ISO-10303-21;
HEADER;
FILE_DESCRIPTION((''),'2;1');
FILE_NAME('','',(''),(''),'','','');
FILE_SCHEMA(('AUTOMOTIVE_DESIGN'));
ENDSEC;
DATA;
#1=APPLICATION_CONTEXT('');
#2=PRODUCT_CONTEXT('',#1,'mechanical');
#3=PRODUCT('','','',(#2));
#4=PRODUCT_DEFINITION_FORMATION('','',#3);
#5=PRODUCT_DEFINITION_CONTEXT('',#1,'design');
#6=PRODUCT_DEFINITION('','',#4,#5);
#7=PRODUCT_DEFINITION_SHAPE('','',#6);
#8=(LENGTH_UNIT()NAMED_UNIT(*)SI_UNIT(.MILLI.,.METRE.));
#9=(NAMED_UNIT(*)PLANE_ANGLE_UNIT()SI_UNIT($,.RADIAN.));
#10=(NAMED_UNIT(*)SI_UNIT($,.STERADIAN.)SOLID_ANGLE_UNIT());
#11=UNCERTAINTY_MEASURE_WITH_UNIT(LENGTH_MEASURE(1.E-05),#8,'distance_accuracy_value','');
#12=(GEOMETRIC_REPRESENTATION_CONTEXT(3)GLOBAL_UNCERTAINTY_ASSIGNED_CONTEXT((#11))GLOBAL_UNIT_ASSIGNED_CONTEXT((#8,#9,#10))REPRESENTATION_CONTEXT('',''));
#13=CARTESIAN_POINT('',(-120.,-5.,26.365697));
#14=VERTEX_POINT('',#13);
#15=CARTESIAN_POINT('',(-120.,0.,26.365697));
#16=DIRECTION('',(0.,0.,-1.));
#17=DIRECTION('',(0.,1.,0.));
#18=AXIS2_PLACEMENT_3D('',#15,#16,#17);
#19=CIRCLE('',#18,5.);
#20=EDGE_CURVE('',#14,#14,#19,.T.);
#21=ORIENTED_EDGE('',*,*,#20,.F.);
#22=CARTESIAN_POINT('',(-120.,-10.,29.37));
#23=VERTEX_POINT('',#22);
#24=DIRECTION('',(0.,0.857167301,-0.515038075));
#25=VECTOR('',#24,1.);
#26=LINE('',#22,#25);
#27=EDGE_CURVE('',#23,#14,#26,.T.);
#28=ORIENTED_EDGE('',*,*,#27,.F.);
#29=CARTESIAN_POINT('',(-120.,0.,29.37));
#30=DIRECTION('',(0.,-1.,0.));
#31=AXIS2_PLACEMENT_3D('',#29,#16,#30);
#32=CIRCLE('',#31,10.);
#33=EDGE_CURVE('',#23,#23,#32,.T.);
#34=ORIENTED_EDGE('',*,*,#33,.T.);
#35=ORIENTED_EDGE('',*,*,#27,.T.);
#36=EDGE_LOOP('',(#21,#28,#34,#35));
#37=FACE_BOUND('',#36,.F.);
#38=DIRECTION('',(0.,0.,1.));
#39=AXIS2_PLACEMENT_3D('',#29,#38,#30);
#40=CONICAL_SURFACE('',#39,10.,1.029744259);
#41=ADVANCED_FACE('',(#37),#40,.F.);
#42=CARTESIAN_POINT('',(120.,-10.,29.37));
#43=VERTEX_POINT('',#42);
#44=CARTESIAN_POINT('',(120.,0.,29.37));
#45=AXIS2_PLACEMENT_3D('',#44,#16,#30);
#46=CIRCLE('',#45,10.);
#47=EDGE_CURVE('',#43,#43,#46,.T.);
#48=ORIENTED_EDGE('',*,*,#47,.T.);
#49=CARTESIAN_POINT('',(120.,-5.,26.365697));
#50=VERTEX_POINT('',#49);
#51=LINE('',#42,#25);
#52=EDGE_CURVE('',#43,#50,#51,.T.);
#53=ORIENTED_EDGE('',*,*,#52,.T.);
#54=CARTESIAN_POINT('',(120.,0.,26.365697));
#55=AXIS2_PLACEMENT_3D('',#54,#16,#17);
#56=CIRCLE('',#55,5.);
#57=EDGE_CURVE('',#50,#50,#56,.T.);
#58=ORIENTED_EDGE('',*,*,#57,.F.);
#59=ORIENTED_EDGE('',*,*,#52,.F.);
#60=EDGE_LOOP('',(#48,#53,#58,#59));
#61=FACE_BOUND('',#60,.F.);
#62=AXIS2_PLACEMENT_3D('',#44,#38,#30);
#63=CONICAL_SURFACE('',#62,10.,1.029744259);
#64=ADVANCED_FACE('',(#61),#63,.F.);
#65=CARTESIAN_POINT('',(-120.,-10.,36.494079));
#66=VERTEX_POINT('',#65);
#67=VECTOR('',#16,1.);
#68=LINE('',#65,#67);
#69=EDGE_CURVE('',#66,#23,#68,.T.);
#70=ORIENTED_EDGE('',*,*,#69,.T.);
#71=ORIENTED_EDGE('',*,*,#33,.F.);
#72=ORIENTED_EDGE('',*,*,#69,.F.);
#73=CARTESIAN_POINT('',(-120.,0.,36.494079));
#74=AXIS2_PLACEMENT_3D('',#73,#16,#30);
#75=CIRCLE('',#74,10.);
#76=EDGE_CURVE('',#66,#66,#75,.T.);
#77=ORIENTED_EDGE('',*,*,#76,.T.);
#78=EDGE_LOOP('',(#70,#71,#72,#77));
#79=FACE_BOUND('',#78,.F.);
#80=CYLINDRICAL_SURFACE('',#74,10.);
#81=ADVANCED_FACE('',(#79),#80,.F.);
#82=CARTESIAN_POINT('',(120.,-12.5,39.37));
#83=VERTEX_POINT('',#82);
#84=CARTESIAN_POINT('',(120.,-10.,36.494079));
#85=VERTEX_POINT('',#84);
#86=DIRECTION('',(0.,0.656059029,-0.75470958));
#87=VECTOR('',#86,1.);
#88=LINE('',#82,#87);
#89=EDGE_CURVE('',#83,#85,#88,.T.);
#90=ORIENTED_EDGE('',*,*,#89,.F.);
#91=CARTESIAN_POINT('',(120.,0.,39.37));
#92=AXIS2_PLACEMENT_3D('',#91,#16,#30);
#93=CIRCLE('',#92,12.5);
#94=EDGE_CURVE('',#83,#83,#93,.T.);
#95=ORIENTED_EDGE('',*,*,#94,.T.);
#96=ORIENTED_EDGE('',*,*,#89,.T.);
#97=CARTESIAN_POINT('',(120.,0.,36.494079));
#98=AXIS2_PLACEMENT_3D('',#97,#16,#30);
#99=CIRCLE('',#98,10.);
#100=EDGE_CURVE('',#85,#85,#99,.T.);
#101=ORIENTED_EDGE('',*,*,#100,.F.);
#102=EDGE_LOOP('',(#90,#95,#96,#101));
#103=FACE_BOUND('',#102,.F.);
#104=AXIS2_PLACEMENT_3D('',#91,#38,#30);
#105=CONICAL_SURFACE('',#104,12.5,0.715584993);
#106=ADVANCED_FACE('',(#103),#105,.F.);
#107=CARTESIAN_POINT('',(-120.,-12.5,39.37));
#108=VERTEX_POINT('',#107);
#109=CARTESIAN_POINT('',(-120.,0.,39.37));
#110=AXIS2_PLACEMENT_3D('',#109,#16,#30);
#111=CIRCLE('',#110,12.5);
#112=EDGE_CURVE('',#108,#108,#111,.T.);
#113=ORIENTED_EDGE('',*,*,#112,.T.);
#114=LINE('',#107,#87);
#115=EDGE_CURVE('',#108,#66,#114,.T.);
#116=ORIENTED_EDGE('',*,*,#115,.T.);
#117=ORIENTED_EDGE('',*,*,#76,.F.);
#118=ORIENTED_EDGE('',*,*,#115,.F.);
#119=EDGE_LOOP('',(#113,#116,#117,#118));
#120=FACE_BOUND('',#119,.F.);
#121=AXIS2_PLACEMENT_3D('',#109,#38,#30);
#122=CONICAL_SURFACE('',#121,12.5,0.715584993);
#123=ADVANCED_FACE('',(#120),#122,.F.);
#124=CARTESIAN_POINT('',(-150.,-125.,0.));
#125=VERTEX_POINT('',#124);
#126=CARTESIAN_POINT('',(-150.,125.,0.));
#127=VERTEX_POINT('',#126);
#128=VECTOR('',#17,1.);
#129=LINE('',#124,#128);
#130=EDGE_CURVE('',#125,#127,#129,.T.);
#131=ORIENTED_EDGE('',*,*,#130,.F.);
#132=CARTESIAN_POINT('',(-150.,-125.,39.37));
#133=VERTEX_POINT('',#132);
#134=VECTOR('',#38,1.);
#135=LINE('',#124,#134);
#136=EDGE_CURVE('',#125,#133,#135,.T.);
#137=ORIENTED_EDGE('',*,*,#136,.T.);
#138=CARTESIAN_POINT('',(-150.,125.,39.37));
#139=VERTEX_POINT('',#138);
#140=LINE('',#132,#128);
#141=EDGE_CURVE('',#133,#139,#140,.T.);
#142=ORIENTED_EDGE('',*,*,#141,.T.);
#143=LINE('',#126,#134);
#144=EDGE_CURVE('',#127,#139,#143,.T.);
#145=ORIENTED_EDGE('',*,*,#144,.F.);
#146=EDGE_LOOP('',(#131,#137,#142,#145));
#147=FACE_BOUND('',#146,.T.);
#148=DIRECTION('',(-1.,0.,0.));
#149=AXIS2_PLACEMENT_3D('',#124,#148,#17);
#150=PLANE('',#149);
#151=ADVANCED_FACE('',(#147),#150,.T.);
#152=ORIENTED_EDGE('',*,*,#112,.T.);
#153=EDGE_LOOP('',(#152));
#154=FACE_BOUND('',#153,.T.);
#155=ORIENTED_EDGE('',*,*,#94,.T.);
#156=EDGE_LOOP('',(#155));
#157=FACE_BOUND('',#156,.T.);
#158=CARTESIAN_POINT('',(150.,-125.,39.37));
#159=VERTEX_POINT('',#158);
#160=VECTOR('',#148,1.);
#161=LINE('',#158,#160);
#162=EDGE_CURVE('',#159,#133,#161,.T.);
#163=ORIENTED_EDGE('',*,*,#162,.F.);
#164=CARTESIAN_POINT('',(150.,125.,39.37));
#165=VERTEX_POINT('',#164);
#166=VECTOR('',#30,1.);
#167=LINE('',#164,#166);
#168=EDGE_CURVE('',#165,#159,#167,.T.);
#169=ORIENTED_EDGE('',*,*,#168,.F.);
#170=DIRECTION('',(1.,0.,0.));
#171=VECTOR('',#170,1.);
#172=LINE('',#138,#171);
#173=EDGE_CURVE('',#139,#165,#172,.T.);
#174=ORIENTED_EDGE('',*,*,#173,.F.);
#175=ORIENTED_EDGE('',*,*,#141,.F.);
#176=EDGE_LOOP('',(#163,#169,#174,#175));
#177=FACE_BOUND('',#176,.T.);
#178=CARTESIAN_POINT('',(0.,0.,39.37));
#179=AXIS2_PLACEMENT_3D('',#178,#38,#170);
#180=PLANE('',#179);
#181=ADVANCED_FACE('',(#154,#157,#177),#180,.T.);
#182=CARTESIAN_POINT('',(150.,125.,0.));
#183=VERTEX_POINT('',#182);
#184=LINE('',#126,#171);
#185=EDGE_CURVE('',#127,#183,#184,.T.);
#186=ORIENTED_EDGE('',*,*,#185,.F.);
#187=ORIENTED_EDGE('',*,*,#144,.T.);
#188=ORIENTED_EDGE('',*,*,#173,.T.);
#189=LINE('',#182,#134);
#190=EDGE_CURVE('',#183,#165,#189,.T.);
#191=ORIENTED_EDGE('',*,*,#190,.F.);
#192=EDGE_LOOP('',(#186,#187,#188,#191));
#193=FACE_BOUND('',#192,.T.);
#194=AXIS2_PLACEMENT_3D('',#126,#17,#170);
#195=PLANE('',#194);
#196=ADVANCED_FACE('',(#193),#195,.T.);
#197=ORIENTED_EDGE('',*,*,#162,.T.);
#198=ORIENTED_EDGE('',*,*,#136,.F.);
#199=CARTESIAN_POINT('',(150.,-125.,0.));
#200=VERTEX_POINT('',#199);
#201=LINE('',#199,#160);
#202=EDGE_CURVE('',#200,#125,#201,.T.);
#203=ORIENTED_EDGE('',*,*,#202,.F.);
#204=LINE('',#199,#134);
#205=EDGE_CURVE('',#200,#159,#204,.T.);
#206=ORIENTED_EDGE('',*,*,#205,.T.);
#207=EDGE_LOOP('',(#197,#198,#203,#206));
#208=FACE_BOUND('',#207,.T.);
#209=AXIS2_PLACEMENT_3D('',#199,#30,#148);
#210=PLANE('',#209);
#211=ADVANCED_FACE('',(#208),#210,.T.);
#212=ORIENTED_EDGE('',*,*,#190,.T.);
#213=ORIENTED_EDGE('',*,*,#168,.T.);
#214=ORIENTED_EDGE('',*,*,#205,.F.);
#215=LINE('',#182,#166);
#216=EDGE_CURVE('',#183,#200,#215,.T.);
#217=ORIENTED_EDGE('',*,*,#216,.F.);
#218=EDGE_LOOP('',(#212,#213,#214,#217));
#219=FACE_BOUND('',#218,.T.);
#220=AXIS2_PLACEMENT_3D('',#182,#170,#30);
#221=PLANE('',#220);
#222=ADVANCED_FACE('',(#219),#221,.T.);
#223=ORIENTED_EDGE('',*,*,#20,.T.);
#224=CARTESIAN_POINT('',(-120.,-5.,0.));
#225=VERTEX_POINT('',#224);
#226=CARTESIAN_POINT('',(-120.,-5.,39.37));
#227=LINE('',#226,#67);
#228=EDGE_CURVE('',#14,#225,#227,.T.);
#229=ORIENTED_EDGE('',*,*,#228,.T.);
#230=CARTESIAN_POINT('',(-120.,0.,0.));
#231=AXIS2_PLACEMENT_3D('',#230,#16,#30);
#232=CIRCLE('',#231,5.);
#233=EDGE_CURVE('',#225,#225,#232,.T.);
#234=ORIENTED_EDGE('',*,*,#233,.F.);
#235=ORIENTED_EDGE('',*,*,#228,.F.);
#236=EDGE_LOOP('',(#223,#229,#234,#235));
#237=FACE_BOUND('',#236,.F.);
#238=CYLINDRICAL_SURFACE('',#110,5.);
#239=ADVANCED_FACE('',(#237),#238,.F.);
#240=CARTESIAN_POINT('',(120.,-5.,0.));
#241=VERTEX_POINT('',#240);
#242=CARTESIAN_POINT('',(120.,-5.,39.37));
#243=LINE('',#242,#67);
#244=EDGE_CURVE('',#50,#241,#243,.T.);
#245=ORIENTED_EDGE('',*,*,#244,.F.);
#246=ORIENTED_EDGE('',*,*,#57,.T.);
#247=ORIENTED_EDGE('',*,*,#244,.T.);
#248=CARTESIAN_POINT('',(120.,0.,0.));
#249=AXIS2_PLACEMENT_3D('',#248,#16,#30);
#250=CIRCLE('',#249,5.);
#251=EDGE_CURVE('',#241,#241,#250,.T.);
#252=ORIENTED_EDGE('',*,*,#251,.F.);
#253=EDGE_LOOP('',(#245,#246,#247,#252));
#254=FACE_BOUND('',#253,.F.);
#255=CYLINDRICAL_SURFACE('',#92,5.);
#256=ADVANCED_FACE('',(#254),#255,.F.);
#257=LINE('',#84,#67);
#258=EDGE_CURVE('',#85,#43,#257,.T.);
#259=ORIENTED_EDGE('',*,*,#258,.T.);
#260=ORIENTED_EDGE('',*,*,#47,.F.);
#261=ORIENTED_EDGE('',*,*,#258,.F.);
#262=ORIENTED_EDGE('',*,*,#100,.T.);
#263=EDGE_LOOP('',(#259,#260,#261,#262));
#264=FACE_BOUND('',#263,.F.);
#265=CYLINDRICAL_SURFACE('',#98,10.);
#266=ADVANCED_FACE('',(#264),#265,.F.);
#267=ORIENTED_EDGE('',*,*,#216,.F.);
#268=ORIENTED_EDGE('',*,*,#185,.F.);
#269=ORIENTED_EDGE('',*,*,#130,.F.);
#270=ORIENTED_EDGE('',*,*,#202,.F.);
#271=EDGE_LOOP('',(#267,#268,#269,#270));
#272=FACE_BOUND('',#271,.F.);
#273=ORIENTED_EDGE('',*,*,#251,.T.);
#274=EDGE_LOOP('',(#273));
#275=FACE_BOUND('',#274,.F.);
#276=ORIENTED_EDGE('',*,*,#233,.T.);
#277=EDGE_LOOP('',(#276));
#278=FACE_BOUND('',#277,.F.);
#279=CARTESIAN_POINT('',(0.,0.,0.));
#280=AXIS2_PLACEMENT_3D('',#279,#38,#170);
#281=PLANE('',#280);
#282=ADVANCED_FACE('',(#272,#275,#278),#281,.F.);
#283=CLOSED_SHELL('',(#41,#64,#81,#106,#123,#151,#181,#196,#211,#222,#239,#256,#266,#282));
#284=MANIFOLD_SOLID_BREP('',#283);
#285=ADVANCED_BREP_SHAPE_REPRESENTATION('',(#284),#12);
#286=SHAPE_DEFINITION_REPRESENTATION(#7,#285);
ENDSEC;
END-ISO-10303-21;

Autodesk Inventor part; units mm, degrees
ref_plane "YZ Plane" through (0, 0, 0) normal (1, 0, 0) x (0, 1, 0)
ref_plane "XZ Plane" through (0, 0, 0) normal (0, 1, 0) x (-1, 0, 0)
ref_plane "XY Plane" through (0, 0, 0) normal (0, 0, 1) x (1, 0, 0)
sketch "Sketch1" plane through (0, 0, 0) normal (0, 0, 1) x (1, 0, 0)
  line L0 (-150, 125) -> (150, 125)
  line L1 (150, 125) -> (150, -125)
  line L2 (150, -125) -> (-150, -125)
  line L3 (-150, -125) -> (-150, 125)
  point P0 (0, 0)
  point P1 (0, 125)
  point P2 (150, 0)
  dimension "d0" = 300
  dimension "d1" = 250
extrude "Extrusion1" add sketch "Sketch1" along normal blind 39.37
sketch "Sketch2" plane through (0, 0, 39.37) normal (0, 0, 1) x (1, 0, 0)
  line L0 (-150, 125) -> (-150, -125) projected
  line L1 (150, 125) -> (-150, 125) construction
  line L2 (0, 125) -> (0, -125) construction
  line L3 (-150, -125) -> (150, -125) construction
  point P0 (0, 0)
  point P1 (-120, 0)
  point P2 (120, 0)
  dimension "d4" = 30
hole "Hole1" at (-120, 0, 39.37) at (120, 0, 39.37) direction (0, 0, -1) diameter 10 end through all
hole "Hole2" at (-120, 0, 39.37) at (120, 0, 39.37) direction (0, 0, -1) diameter 20 depth 10 tip angle 118 countersink diameter 25 countersink angle 82
properties part number "TablaInferior"
